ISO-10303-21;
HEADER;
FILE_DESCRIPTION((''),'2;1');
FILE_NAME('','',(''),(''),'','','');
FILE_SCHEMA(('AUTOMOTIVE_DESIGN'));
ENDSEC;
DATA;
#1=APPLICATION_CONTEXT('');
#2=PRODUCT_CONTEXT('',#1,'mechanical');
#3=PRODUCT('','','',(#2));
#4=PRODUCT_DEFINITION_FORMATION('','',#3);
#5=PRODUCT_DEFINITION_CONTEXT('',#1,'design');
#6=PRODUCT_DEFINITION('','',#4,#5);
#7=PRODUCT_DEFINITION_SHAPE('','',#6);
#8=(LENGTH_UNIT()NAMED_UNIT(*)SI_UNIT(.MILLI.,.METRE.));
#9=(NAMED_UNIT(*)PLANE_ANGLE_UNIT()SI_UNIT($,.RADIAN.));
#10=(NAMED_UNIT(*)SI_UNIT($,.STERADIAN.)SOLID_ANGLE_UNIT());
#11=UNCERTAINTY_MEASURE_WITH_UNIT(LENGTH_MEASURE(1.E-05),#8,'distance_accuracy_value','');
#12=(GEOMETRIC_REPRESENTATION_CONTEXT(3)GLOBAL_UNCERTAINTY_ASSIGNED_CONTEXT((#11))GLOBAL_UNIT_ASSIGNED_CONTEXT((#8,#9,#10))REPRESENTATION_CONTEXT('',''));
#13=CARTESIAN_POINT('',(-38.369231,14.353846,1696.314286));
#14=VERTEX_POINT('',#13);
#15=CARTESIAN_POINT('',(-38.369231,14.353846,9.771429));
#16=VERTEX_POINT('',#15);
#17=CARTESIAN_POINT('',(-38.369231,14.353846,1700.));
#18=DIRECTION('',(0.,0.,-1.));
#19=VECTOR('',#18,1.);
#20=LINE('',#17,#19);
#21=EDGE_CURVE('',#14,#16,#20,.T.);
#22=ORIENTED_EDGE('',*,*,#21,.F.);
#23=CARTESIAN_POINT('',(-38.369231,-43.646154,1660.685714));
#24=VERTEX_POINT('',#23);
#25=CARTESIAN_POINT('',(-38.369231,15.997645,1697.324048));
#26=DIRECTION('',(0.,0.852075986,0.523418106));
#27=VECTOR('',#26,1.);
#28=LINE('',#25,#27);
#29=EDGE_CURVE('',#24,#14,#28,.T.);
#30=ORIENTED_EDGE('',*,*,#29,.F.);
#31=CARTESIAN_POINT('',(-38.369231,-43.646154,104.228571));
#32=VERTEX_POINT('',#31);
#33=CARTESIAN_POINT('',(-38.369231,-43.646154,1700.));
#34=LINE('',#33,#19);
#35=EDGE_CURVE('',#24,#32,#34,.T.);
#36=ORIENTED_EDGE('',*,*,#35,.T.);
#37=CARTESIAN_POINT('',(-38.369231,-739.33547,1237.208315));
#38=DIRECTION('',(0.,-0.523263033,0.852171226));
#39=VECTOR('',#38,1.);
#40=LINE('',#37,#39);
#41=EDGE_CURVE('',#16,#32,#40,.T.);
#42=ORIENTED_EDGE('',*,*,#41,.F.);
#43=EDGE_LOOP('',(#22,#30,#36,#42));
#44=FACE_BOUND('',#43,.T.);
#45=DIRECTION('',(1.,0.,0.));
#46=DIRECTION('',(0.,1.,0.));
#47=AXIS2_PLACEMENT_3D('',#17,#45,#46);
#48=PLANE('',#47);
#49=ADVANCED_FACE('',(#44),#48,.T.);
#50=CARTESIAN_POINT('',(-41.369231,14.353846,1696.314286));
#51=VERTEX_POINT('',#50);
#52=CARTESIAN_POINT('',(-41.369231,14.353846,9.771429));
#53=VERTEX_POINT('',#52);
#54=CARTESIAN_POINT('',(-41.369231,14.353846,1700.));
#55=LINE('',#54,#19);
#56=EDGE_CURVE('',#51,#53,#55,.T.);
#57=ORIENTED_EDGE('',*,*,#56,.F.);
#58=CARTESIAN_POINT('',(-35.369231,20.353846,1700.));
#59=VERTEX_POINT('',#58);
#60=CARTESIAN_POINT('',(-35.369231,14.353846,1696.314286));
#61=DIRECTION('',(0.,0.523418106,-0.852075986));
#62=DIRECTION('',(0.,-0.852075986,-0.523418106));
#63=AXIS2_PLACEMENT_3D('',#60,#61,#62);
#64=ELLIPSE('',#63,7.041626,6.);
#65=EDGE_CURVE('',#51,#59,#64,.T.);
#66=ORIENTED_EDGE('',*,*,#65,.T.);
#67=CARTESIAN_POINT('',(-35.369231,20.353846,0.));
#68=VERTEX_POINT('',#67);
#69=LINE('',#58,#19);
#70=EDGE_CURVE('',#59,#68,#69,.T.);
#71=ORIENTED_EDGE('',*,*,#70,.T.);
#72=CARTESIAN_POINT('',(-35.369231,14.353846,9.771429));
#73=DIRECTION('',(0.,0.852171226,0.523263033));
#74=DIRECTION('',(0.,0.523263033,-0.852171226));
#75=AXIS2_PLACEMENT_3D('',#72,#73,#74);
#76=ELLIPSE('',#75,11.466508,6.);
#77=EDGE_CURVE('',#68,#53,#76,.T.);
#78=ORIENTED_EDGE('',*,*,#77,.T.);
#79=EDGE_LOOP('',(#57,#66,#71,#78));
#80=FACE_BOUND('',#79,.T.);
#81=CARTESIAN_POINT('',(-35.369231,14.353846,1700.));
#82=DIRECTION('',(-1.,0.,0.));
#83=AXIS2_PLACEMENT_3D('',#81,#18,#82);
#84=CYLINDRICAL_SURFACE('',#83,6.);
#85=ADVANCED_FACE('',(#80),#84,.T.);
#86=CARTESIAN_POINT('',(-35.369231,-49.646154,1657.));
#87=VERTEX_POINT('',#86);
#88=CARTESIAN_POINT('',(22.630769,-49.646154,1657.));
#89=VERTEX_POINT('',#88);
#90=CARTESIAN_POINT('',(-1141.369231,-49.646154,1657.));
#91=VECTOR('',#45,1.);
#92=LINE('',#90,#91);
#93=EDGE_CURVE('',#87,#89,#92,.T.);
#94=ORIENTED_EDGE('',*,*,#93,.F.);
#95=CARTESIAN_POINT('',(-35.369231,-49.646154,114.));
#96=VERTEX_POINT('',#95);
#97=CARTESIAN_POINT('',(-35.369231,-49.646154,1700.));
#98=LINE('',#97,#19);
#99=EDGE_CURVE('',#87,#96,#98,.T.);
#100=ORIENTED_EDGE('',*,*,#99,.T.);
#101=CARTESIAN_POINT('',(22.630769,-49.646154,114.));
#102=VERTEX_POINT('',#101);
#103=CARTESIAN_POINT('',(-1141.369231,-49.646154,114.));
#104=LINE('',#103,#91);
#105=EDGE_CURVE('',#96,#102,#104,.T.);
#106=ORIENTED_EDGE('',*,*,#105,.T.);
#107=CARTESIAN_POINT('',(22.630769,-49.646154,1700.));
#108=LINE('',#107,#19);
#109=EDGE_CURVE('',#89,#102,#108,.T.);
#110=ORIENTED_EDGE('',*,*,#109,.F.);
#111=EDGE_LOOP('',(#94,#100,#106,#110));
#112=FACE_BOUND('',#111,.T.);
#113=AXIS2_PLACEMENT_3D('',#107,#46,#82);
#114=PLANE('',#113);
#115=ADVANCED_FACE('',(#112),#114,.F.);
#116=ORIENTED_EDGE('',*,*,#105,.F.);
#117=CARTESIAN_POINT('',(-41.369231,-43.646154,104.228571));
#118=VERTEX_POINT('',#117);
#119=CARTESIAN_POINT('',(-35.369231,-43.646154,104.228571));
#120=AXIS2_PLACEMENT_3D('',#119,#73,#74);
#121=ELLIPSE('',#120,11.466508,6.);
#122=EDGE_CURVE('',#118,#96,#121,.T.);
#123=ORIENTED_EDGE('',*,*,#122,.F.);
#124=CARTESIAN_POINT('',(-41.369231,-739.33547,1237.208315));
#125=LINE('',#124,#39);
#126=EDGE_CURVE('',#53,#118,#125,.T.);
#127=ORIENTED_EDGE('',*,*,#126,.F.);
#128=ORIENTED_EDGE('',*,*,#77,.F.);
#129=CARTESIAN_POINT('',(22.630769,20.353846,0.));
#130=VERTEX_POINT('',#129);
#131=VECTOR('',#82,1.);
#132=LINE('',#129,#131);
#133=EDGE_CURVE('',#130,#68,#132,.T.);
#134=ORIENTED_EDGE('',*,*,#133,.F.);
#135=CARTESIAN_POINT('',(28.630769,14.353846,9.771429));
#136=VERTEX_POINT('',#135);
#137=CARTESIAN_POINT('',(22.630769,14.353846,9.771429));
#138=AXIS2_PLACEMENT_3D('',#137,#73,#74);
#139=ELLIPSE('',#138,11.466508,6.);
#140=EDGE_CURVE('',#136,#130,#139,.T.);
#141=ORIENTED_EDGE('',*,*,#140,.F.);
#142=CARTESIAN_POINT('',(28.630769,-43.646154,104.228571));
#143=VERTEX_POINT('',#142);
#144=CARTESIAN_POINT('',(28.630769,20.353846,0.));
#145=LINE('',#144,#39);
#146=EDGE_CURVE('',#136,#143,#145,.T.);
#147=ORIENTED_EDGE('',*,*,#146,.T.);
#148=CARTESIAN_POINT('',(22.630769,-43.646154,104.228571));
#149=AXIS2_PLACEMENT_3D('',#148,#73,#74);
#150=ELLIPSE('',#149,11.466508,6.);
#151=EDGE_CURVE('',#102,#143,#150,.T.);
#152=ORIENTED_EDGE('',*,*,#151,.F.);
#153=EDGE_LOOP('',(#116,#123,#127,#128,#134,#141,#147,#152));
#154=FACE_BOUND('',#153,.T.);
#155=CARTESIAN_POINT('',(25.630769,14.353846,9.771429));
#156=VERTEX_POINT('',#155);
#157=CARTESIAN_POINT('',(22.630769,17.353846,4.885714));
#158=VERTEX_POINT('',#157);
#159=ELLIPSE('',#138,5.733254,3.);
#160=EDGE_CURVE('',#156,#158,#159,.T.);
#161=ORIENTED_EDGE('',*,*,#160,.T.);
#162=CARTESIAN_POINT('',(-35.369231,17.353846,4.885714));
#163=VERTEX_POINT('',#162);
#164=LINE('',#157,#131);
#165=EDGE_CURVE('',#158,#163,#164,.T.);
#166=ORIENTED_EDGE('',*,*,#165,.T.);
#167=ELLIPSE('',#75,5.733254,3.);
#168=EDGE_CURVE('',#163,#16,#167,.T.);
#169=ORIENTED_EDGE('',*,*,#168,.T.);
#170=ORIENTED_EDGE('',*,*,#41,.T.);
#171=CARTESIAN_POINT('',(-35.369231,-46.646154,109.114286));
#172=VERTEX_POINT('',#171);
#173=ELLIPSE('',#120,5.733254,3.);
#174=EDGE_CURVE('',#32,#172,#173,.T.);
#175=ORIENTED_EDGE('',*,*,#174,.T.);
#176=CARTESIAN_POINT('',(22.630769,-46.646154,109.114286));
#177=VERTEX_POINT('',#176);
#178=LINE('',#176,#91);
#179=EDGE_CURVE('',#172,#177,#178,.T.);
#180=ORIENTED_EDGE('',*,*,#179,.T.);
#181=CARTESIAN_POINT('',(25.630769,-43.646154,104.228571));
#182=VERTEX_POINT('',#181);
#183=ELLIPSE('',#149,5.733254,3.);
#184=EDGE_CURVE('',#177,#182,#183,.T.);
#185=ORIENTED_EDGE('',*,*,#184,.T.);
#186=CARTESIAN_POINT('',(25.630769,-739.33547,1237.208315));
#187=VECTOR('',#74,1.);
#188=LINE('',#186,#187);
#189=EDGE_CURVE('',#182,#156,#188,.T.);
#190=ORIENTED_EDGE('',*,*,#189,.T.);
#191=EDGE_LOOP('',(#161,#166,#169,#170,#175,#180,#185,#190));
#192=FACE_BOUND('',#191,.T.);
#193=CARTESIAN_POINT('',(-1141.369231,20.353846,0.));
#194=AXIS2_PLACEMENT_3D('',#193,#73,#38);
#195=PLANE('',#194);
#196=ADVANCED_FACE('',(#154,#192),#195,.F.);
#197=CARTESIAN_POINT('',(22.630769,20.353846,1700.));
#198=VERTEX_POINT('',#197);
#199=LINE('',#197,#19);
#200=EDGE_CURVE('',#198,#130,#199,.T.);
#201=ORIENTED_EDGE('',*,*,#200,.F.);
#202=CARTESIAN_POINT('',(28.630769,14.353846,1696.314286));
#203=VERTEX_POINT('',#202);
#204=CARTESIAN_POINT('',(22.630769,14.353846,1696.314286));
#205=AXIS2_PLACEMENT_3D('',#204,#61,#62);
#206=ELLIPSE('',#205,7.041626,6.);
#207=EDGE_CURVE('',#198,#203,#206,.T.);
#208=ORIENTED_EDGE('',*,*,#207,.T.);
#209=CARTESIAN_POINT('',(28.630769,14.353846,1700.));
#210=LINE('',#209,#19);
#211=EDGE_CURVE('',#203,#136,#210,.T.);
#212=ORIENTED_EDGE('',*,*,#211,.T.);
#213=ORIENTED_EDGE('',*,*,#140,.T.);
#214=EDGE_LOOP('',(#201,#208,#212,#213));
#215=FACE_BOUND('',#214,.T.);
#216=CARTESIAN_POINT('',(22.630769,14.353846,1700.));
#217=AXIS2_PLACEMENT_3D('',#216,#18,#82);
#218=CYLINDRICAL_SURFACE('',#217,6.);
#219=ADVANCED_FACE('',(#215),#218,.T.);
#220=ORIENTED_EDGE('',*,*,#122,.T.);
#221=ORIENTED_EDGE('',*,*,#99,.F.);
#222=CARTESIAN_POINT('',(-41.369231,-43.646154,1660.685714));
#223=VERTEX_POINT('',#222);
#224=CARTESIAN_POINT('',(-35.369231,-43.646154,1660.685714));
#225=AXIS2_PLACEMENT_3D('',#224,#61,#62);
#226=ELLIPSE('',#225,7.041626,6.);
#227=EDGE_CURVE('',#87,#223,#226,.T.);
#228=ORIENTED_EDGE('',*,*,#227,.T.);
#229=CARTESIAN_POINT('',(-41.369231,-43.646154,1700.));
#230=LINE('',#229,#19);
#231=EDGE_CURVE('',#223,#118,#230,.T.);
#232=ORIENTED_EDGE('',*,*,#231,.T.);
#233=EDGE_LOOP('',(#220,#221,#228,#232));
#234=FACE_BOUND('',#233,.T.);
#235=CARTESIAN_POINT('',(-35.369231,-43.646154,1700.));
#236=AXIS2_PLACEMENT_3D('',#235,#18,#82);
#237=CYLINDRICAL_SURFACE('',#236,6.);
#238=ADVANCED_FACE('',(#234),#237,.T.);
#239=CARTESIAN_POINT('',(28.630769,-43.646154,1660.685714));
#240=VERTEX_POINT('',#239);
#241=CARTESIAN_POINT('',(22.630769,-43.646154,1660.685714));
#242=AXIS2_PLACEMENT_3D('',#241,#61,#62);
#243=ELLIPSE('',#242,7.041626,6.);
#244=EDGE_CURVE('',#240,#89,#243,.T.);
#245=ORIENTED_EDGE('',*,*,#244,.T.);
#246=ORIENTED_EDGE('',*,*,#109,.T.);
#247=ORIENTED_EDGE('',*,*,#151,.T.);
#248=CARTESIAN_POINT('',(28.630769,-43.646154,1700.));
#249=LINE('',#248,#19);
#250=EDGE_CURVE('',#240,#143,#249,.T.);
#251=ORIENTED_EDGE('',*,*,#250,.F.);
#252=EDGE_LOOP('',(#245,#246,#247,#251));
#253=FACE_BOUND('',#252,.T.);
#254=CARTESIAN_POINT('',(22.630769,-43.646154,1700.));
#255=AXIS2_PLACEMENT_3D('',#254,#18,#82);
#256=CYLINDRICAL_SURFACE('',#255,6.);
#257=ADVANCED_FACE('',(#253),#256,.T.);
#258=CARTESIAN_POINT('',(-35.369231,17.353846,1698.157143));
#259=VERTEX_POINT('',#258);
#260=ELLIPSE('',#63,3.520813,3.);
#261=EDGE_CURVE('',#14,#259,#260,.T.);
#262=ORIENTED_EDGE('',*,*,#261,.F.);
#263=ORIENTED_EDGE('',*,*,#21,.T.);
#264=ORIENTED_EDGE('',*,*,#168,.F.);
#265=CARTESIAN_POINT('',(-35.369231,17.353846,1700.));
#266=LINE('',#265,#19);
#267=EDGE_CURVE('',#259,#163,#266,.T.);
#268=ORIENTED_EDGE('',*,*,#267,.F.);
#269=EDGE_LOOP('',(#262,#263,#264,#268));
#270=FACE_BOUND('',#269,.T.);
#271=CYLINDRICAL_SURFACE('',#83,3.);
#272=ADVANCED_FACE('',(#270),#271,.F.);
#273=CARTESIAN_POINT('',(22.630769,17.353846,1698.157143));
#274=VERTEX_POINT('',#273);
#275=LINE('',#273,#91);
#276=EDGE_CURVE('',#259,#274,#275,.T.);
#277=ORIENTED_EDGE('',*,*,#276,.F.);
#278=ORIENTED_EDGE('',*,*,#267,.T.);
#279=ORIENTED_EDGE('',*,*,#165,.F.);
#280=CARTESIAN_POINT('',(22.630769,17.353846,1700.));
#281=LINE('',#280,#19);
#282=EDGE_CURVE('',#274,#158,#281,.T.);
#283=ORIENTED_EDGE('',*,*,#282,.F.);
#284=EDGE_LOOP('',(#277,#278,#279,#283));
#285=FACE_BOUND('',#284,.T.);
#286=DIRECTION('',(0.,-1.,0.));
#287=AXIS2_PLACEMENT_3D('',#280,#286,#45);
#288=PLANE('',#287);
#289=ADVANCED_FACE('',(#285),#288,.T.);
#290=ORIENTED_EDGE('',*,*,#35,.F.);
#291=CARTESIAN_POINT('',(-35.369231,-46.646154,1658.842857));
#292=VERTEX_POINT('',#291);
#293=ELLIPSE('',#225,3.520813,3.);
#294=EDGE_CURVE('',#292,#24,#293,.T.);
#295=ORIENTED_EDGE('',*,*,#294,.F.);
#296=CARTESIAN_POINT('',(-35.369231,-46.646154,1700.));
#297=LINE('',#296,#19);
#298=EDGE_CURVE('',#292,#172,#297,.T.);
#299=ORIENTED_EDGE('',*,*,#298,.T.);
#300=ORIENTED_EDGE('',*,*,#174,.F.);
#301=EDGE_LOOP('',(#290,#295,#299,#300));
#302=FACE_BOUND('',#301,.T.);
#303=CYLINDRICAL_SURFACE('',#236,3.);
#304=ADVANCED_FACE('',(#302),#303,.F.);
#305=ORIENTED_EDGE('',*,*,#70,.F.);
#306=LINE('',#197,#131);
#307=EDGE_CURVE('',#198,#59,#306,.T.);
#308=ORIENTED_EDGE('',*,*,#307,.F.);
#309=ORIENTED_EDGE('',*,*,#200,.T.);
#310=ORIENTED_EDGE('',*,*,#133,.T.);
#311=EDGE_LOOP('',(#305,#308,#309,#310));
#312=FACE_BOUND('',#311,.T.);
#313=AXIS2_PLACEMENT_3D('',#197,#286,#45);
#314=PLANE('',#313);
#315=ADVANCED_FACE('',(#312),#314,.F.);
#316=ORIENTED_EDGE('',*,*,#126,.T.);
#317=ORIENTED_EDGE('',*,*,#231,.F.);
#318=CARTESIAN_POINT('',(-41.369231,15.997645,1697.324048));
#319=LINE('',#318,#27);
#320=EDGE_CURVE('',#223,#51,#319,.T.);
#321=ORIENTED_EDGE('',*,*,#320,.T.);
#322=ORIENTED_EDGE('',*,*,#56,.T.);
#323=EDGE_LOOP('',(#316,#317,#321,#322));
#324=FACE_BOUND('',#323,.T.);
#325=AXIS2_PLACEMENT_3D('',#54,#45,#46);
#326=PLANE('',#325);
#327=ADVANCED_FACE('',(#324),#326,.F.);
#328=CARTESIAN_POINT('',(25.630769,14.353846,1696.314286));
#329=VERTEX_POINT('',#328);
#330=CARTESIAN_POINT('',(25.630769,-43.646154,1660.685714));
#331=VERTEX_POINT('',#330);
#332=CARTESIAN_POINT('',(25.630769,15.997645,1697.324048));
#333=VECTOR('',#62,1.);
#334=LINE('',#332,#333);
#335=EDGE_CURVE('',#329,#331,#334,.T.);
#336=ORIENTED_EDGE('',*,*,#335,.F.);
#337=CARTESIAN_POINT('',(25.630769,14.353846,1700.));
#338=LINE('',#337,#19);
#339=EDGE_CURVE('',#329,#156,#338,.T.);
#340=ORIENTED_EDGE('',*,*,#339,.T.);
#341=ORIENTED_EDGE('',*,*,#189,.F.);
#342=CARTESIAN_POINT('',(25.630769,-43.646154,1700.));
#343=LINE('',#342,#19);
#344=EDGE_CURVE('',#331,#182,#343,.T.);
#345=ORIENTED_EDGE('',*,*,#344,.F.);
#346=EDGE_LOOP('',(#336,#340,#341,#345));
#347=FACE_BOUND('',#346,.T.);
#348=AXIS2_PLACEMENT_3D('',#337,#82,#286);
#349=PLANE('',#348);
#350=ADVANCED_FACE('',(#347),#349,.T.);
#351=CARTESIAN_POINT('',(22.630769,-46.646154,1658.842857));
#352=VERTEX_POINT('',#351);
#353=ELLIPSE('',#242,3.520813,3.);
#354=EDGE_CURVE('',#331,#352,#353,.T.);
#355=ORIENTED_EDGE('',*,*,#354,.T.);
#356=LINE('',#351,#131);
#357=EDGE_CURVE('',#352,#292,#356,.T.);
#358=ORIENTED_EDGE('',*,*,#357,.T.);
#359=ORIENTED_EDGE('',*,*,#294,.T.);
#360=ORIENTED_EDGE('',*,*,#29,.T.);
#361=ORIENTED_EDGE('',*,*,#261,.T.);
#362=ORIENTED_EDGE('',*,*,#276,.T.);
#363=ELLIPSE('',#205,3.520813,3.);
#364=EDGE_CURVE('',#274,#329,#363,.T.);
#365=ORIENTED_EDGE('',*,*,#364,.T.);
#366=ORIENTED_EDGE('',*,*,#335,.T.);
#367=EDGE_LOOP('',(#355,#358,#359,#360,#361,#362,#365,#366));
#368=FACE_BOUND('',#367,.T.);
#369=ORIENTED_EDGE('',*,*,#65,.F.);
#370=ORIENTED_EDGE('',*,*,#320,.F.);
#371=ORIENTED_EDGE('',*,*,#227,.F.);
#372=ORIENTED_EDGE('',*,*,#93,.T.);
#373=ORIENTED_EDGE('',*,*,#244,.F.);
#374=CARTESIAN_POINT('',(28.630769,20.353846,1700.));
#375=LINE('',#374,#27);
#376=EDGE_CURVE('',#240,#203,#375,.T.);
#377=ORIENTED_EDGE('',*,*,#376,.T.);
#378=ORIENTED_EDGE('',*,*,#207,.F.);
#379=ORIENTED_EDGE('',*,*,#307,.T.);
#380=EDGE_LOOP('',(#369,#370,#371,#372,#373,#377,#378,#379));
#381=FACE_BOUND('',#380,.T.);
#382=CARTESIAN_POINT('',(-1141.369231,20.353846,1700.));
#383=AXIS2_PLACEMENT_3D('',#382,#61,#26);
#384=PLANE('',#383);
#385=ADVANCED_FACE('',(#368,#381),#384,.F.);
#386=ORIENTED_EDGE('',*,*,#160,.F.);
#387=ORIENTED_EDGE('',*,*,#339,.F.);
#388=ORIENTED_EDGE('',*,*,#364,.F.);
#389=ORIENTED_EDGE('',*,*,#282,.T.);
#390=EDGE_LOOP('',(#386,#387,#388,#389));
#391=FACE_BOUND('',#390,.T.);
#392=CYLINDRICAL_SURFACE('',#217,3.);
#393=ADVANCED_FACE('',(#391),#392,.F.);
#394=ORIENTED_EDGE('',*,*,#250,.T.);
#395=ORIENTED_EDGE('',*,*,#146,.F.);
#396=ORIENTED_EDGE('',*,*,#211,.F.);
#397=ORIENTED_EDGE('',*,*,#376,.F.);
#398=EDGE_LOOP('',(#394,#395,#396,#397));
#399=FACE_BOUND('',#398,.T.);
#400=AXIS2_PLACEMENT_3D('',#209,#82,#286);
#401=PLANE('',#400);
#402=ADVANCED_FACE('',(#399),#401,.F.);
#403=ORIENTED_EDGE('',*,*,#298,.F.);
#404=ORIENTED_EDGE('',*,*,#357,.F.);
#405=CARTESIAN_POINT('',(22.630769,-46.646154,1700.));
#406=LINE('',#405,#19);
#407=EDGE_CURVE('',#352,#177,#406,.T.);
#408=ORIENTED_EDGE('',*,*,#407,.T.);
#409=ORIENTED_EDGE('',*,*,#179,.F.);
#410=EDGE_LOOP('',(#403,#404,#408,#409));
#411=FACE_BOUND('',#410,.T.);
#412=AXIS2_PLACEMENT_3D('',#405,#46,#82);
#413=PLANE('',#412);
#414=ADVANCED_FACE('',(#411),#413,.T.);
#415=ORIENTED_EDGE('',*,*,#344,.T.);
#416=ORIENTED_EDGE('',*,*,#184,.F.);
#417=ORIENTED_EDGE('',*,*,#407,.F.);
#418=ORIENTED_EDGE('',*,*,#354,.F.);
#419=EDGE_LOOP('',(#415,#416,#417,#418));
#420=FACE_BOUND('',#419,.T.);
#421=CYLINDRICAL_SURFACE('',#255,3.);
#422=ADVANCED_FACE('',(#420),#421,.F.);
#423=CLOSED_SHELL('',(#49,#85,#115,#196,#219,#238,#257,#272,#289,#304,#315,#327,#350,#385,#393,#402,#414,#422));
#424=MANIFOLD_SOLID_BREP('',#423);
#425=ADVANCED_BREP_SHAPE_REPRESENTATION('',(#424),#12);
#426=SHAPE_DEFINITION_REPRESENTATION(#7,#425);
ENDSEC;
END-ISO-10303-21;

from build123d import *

# Parameters (mm, degrees)
BOSS_EXTRUDE1_DEPTH = 1700
CUT_EXTRUDE1_DEPTH  = 1170


with BuildPart() as part:
    # Sketch1 → Boss-Extrude1 (new body)
    with BuildSketch(Plane.XY):
        with BuildLine():
            Line((22.630769231, 20.353846154), (-35.369230769, 20.353846154))
            ThreePointArc((-35.369230769, 20.353846154), (-39.611871456, 18.596486841), (-41.369230769, 14.353846154))
            Line((-41.369230769, 14.353846154), (-41.369230769, -43.646153846))
            ThreePointArc((-41.369230769, -43.646153846), (-39.611871456, -47.888794533), (-35.369230769, -49.646153846))
            Line((-35.369230769, -49.646153846), (22.630769231, -49.646153846))
            ThreePointArc((22.630769231, -49.646153846), (26.873409918, -47.888794533), (28.630769231, -43.646153846))
            Line((28.630769231, -43.646153846), (28.630769231, 14.353846154))
            ThreePointArc((28.630769231, 14.353846154), (26.873409918, 18.596486841), (22.630769231, 20.353846154))
        make_face()
        with BuildLine():
            Line((22.630769231, 17.353846154), (-35.369230769, 17.353846154))
            ThreePointArc((-35.369230769, 17.353846154), (-37.490551113, 16.475166497), (-38.369230769, 14.353846154))
            Line((-38.369230769, 14.353846154), (-38.369230769, -43.646153846))
            ThreePointArc((-38.369230769, -43.646153846), (-37.490551113, -45.76747419), (-35.369230769, -46.646153846))
            Line((-35.369230769, -46.646153846), (22.630769231, -46.646153846))
            ThreePointArc((22.630769231, -46.646153846), (24.752089574, -45.76747419), (25.630769231, -43.646153846))
            Line((25.630769231, -43.646153846), (25.630769231, 14.353846154))
            ThreePointArc((25.630769231, 14.353846154), (24.752089574, 16.475166497), (22.630769231, 17.353846154))
        make_face(mode=Mode.SUBTRACT)
    extrude(amount=BOSS_EXTRUDE1_DEPTH)

    # Sketch2 → Cut-Extrude1 (cut)
    with BuildSketch(Plane(origin=(28.630769231, 0, 0), x_dir=(0, 0, -1), z_dir=(1, 0, 0))):
        Polygon((0, 20.353846154), (-114, -49.646153846), (0, -49.646153846), align=None)
        Polygon((-1700, 20.353846154), (-1657, -49.646153846), (-1700, -49.646153846), align=None)
    extrude(amount=-CUT_EXTRUDE1_DEPTH, mode=Mode.SUBTRACT)


solid = part.part
